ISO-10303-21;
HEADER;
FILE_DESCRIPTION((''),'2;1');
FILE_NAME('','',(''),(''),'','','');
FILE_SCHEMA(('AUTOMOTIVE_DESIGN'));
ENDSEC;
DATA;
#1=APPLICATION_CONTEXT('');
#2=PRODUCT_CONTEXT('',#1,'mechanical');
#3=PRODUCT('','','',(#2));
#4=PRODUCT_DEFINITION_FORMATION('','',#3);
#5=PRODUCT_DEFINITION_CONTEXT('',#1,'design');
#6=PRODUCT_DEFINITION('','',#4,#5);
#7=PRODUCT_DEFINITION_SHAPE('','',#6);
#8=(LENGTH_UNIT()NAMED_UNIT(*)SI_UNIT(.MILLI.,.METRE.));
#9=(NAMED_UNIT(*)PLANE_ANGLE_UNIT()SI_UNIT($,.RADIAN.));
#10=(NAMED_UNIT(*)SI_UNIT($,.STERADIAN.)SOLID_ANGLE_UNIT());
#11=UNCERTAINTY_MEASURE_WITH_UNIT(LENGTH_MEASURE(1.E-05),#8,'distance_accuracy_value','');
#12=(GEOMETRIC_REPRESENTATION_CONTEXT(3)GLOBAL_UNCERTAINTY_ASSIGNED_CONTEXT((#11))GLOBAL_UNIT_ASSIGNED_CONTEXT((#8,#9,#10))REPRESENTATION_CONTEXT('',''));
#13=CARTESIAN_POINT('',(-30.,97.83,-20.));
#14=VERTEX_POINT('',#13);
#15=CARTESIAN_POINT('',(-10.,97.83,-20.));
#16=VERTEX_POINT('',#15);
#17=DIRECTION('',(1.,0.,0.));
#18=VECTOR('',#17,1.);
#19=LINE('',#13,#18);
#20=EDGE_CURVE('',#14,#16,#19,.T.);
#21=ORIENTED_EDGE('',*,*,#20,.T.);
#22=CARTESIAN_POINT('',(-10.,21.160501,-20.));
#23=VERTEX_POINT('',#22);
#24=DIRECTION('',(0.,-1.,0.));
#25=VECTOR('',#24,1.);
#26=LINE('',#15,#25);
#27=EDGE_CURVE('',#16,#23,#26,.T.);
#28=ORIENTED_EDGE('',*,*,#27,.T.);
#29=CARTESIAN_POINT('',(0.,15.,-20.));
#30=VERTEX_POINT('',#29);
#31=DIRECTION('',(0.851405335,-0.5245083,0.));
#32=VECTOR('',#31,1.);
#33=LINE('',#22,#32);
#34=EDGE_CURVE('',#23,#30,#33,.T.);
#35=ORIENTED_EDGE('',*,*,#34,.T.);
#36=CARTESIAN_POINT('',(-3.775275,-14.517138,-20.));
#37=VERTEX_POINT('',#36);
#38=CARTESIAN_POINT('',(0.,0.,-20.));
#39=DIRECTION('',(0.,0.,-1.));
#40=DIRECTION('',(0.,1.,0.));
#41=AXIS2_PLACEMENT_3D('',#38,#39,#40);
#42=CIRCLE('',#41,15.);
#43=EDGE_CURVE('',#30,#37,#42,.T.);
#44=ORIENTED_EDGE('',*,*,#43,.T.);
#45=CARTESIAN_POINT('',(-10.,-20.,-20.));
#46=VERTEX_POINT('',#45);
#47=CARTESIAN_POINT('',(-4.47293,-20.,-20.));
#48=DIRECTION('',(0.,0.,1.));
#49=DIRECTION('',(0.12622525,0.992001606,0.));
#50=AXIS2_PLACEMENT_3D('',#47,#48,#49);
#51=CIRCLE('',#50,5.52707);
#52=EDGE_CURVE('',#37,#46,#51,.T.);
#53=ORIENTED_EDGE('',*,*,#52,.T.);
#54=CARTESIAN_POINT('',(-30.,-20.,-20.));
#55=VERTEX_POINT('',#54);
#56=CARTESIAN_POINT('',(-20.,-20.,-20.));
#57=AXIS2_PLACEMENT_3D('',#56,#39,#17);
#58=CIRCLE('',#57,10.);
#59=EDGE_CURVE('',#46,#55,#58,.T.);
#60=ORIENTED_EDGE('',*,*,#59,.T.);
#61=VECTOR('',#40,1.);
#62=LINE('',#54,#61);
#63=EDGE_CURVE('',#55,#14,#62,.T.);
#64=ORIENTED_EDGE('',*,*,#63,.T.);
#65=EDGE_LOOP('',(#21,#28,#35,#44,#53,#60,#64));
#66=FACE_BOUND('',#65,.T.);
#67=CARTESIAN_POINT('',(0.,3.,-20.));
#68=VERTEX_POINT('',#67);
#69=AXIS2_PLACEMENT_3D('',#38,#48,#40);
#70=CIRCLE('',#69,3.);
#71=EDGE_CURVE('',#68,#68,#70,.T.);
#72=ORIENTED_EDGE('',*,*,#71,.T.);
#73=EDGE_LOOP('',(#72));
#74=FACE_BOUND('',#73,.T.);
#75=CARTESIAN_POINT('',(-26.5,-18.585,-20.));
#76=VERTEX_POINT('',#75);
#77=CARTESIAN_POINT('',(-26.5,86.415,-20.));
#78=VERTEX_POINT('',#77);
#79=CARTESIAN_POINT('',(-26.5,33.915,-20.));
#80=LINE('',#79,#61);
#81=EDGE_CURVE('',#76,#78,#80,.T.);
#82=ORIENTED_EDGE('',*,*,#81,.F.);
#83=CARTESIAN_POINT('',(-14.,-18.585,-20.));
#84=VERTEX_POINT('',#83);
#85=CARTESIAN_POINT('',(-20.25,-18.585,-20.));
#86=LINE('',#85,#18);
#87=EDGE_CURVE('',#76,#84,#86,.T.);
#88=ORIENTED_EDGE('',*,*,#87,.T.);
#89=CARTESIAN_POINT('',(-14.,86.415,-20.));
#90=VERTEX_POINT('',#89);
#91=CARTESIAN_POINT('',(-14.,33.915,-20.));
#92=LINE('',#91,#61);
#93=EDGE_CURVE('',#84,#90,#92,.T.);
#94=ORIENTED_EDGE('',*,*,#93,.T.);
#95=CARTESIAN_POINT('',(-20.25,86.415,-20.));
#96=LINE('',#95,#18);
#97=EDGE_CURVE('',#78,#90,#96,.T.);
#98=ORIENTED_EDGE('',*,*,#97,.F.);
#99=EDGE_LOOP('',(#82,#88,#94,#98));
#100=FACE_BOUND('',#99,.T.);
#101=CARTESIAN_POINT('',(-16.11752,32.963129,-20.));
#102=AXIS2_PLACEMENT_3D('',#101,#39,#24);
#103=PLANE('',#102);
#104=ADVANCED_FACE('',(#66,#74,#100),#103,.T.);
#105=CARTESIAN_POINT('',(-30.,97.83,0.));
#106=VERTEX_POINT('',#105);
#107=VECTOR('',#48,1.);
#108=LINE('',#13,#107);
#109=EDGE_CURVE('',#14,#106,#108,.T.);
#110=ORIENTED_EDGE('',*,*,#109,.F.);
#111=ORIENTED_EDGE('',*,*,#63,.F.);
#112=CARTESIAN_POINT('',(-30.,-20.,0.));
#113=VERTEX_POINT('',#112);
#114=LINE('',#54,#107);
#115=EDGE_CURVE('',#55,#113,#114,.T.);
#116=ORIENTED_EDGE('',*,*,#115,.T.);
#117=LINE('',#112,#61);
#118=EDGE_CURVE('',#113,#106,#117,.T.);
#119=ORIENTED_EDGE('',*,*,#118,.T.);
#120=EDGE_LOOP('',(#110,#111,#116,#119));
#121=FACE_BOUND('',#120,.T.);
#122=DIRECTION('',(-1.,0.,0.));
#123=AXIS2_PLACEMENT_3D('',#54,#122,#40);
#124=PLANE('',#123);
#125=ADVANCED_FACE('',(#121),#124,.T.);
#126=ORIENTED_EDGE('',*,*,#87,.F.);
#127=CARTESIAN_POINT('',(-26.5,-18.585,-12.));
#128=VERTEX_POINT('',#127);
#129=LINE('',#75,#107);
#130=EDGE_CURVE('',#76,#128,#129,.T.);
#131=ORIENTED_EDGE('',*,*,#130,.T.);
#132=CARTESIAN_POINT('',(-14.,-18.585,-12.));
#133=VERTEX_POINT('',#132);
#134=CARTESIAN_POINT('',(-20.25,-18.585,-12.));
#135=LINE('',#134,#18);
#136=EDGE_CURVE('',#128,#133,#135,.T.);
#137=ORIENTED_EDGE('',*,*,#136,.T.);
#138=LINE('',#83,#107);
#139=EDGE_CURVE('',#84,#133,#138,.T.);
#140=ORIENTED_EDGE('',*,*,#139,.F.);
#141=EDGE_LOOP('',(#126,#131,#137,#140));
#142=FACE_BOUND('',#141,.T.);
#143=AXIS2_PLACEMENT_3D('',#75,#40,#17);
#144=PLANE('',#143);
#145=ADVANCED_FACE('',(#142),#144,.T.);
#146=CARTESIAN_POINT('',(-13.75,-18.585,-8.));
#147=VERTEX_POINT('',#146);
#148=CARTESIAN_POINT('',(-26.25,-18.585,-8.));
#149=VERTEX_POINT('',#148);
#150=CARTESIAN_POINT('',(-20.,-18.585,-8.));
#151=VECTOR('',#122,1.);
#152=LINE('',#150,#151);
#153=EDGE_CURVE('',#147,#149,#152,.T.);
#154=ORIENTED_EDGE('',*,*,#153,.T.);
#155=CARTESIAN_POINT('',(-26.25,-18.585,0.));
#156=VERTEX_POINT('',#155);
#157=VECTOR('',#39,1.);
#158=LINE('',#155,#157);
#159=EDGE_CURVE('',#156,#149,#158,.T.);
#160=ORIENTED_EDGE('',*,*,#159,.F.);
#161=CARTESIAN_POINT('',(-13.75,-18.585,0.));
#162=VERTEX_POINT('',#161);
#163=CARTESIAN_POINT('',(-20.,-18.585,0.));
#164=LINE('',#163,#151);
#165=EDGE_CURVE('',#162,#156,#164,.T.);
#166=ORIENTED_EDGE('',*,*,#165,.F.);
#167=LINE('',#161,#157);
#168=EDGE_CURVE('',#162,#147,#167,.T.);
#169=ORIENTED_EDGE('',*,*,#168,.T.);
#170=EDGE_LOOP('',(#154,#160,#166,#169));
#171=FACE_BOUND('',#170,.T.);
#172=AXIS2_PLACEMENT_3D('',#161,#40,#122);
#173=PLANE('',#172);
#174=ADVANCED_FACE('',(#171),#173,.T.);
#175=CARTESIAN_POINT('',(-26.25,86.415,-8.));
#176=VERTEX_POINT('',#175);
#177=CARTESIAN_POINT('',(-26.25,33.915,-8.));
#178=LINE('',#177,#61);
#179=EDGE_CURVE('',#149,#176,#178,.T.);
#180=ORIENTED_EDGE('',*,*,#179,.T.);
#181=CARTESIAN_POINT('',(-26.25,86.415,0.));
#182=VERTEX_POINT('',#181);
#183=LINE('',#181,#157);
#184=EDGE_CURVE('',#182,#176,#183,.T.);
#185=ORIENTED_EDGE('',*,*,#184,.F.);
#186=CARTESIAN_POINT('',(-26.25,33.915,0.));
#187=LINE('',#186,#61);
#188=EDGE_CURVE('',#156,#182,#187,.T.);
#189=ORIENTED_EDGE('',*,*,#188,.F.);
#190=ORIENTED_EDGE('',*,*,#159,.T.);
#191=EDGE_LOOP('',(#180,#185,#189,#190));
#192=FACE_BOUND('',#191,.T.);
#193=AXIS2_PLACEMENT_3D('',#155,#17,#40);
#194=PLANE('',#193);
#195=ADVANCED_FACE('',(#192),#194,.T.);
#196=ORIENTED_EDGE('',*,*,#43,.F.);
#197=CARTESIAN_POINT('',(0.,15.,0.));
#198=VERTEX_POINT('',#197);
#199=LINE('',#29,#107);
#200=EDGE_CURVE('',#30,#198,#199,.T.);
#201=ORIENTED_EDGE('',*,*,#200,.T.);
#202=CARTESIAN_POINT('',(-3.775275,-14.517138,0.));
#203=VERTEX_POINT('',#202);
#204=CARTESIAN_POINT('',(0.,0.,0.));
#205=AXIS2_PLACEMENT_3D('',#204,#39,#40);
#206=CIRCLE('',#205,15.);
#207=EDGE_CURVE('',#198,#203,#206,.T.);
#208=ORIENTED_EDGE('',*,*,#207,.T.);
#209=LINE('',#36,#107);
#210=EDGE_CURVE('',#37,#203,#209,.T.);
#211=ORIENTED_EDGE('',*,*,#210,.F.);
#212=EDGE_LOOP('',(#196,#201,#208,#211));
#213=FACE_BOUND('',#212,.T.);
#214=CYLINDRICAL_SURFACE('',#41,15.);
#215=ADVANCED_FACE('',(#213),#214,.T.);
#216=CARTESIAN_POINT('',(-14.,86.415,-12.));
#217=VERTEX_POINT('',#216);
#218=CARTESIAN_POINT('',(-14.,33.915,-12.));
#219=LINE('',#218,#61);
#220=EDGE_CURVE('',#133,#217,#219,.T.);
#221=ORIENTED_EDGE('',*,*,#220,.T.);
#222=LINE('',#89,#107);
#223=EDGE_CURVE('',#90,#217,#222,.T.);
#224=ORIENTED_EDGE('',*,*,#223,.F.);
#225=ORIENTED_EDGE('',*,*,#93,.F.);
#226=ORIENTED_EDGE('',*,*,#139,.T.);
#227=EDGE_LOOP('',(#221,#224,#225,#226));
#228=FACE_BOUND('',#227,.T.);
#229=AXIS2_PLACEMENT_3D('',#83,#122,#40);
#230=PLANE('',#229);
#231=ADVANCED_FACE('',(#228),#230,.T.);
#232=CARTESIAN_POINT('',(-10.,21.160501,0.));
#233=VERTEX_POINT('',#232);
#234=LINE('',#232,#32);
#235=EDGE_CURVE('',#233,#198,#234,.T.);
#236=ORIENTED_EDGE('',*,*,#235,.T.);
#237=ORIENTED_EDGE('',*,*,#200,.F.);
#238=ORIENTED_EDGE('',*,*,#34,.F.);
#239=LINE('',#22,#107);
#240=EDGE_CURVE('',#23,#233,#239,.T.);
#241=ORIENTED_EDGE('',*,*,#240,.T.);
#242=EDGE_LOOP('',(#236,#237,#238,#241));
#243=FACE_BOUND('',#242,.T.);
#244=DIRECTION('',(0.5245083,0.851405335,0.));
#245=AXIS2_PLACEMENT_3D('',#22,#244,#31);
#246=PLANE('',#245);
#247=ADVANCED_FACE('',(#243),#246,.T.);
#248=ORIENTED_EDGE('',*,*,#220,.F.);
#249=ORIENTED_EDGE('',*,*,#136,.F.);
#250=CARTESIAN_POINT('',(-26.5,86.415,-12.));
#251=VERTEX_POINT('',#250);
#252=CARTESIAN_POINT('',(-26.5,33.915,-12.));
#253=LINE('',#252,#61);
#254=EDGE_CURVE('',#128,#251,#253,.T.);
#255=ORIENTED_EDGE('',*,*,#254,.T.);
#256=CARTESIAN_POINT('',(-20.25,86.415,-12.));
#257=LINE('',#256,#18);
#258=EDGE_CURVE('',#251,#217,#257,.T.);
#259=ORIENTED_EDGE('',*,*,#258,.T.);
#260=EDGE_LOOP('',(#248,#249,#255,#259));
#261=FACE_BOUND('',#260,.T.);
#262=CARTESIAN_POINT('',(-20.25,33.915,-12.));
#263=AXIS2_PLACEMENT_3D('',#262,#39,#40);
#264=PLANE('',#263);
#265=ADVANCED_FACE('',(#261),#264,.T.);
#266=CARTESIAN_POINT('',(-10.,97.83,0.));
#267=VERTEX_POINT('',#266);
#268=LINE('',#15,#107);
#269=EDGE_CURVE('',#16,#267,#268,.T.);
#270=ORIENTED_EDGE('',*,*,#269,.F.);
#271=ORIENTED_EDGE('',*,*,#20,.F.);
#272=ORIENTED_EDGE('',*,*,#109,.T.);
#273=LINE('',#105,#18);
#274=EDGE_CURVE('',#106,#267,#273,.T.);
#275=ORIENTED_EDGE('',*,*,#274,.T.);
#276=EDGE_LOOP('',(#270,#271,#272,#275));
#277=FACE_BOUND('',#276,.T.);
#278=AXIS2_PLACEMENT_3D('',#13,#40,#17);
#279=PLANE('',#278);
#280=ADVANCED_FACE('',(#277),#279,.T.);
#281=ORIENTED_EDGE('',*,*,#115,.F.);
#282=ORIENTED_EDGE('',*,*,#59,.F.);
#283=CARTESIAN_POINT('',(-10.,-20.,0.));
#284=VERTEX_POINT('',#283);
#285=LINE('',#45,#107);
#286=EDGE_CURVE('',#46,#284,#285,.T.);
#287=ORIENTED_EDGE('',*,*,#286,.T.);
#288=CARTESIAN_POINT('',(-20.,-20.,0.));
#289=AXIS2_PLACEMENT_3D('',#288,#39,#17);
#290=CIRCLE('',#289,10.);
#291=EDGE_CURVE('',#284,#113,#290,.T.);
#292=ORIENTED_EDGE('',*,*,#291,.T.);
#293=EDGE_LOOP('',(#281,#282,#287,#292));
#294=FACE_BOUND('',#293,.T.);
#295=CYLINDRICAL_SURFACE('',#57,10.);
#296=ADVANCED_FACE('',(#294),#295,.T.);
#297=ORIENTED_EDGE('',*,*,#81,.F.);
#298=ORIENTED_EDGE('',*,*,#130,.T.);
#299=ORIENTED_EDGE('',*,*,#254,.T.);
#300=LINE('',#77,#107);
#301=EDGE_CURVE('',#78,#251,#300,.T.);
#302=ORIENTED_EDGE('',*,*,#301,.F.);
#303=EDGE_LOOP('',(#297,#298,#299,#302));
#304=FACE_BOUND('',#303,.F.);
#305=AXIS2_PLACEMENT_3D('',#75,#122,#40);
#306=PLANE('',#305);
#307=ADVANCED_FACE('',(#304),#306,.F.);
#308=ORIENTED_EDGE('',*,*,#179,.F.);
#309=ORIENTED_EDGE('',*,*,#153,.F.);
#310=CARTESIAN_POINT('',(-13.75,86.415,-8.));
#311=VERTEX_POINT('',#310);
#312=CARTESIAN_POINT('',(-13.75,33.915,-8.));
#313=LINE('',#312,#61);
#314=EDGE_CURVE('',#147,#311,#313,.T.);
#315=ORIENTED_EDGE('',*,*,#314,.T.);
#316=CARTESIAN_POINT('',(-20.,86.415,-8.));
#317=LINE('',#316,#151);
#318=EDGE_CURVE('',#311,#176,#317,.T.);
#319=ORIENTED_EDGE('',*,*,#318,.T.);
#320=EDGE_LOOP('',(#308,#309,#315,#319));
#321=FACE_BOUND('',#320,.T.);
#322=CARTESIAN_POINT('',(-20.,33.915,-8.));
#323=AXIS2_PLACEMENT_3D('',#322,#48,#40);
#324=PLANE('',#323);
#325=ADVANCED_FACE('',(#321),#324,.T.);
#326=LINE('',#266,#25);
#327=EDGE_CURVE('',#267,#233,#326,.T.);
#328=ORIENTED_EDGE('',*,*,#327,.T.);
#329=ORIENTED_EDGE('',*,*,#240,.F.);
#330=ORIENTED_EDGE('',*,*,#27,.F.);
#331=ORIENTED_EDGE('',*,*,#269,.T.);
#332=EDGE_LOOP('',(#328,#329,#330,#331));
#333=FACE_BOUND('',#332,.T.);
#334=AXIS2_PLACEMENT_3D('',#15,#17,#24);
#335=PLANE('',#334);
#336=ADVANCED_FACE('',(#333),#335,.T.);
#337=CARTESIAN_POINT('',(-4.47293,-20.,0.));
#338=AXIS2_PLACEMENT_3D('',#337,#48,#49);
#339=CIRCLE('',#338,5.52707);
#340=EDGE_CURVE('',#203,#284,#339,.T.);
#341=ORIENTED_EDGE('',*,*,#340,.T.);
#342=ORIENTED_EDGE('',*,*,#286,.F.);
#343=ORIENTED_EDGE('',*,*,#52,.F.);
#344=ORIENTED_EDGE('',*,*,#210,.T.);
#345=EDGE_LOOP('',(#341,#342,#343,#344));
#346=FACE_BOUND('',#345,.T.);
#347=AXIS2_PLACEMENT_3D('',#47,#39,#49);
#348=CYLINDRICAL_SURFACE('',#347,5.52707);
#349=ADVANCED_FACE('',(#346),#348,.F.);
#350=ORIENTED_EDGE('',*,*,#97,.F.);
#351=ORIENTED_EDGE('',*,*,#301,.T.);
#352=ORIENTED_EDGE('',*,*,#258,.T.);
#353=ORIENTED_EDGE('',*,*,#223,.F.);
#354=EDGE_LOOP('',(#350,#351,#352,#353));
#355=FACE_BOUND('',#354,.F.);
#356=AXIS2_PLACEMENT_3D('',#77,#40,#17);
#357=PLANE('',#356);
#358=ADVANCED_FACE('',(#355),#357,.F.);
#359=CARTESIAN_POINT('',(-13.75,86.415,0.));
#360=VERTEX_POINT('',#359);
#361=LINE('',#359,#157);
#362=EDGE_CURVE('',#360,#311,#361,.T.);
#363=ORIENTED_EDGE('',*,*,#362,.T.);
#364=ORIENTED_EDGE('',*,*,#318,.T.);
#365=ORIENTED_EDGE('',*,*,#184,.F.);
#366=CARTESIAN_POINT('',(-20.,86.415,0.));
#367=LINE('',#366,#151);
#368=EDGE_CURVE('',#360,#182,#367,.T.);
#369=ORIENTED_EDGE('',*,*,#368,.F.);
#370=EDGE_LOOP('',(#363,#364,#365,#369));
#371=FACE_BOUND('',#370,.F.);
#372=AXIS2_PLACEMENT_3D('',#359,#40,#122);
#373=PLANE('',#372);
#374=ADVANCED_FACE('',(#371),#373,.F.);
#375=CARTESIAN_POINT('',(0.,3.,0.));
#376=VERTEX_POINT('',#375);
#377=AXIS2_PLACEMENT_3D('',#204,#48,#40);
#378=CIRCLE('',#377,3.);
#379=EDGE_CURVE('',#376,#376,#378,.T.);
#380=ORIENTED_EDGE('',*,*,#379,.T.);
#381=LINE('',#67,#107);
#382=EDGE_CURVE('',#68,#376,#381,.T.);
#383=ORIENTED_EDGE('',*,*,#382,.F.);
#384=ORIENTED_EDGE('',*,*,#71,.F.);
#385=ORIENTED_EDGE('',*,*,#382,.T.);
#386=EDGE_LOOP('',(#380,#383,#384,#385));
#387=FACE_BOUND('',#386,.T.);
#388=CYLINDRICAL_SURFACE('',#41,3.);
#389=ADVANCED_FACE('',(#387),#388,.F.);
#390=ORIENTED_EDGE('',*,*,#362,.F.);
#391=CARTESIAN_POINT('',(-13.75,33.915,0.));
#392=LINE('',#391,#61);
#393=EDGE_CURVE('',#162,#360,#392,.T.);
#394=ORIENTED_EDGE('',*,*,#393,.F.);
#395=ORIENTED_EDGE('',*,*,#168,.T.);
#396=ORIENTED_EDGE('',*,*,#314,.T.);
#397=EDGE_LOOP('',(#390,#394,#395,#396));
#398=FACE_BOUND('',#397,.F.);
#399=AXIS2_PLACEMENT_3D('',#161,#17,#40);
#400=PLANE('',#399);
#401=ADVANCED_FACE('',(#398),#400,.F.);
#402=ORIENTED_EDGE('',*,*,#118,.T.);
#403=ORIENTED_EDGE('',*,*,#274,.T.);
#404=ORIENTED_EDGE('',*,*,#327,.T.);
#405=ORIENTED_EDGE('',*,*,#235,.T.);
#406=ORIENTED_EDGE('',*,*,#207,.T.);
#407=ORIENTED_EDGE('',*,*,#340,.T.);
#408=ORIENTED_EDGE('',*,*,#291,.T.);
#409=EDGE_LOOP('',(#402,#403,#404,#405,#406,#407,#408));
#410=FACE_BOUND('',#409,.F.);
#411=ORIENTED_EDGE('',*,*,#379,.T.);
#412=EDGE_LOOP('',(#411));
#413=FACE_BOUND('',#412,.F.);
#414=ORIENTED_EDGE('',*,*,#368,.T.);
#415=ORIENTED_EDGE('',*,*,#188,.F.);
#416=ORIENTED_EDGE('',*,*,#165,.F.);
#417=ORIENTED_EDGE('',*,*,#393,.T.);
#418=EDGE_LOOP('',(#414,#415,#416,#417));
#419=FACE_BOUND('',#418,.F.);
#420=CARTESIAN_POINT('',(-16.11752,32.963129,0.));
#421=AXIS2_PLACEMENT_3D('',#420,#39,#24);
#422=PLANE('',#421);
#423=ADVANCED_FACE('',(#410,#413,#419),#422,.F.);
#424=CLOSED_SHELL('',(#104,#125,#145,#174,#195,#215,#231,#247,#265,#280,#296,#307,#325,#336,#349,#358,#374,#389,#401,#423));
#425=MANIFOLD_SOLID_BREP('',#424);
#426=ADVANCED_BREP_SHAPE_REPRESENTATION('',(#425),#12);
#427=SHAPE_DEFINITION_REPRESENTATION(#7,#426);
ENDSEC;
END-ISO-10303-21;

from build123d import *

# Parameters (mm, degrees)
SKETCH1_R             = 3
BOSS_EXTRUDE1_DEPTH   = 20
SKETCH8_W             = 105
SKETCH8_H             = 12.5
CUT_EXTRUDE7_DEPTH    = 8
SKETCH9_W             = 105
SKETCH9_H             = 12.5
CUT_EXTRUDE8_DEPTH    = 8
BODY_MOVE_COPY1_ANGLE = 90
BODY_MOVE_COPY2_ANGLE = 180
BODY_MOVE_COPY6_ANGLE = 90


with BuildPart() as part:
    # Sketch1 → Boss-Extrude1 (new body)
    with BuildSketch(Plane(origin=(0, 0, 0), x_dir=(1, 0, 0), z_dir=(0, 1, 0))):
        with BuildLine():
            Line((-20, 30), (97.83, 30))
            Line((97.83, 30), (97.83, 10))
            Line((97.83, 10), (21.160500507, 10))
            Line((21.160500507, 10), (15, 0))
            ThreePointArc((15, 0), (-1.903014387, -14.878794852), (-14.517138166, 3.775274755))
            ThreePointArc((-14.517138166, 3.775274755), (-15.852441132, 8.126182851), (-20, 10))
            ThreePointArc((-20, 10), (-30, 20), (-20, 30))
        make_face()
        Circle(SKETCH1_R, mode=Mode.SUBTRACT)
    extrude(amount=BOSS_EXTRUDE1_DEPTH)

    # Sketch8 → Cut-Extrude7 (cut)
    with BuildSketch(Plane.XZ):
        with Locations((33.915, -20.25)):
            Rectangle(SKETCH8_W, SKETCH8_H)
    extrude(amount=-CUT_EXTRUDE7_DEPTH, mode=Mode.SUBTRACT)

    # Sketch9 → Cut-Extrude8 (cut)
    with BuildSketch(Plane(origin=(0, 20, 0), x_dir=(1, 0, 0), z_dir=(0, 1, 0))):
        with Locations((33.915, 20)):
            Rectangle(SKETCH9_W, SKETCH9_H)
    extrude(amount=-CUT_EXTRUDE8_DEPTH, mode=Mode.SUBTRACT)


with BuildPart() as part_1:
    # Body-Move/Copy1: moved
    add(part.part.rotate(Axis((0, 10, -7.5), (-1, 0, 0)), BODY_MOVE_COPY1_ANGLE))


with BuildPart() as part_2:
    # Body-Move/Copy2: moved
    add(part_1.part.rotate(Axis((0, 10, -7.5), (1, 0, 0)), BODY_MOVE_COPY2_ANGLE))


with BuildPart() as part_3:
    # Body-Move/Copy5: moved
    add(part_2.part.moved(Location((0, -2.5, -2.5))))


with BuildPart() as part_4:
    # Body-Move/Copy6: moved
    add(part_3.part.rotate(Axis((33.915, 7.5, 0), (0, 0, 1)), BODY_MOVE_COPY6_ANGLE))


with BuildPart() as part_5:
    # Body-Move/Copy7: moved
    add(part_4.part.moved(Location((-41.415, 26.415, 0))))


solid = part_5.part
